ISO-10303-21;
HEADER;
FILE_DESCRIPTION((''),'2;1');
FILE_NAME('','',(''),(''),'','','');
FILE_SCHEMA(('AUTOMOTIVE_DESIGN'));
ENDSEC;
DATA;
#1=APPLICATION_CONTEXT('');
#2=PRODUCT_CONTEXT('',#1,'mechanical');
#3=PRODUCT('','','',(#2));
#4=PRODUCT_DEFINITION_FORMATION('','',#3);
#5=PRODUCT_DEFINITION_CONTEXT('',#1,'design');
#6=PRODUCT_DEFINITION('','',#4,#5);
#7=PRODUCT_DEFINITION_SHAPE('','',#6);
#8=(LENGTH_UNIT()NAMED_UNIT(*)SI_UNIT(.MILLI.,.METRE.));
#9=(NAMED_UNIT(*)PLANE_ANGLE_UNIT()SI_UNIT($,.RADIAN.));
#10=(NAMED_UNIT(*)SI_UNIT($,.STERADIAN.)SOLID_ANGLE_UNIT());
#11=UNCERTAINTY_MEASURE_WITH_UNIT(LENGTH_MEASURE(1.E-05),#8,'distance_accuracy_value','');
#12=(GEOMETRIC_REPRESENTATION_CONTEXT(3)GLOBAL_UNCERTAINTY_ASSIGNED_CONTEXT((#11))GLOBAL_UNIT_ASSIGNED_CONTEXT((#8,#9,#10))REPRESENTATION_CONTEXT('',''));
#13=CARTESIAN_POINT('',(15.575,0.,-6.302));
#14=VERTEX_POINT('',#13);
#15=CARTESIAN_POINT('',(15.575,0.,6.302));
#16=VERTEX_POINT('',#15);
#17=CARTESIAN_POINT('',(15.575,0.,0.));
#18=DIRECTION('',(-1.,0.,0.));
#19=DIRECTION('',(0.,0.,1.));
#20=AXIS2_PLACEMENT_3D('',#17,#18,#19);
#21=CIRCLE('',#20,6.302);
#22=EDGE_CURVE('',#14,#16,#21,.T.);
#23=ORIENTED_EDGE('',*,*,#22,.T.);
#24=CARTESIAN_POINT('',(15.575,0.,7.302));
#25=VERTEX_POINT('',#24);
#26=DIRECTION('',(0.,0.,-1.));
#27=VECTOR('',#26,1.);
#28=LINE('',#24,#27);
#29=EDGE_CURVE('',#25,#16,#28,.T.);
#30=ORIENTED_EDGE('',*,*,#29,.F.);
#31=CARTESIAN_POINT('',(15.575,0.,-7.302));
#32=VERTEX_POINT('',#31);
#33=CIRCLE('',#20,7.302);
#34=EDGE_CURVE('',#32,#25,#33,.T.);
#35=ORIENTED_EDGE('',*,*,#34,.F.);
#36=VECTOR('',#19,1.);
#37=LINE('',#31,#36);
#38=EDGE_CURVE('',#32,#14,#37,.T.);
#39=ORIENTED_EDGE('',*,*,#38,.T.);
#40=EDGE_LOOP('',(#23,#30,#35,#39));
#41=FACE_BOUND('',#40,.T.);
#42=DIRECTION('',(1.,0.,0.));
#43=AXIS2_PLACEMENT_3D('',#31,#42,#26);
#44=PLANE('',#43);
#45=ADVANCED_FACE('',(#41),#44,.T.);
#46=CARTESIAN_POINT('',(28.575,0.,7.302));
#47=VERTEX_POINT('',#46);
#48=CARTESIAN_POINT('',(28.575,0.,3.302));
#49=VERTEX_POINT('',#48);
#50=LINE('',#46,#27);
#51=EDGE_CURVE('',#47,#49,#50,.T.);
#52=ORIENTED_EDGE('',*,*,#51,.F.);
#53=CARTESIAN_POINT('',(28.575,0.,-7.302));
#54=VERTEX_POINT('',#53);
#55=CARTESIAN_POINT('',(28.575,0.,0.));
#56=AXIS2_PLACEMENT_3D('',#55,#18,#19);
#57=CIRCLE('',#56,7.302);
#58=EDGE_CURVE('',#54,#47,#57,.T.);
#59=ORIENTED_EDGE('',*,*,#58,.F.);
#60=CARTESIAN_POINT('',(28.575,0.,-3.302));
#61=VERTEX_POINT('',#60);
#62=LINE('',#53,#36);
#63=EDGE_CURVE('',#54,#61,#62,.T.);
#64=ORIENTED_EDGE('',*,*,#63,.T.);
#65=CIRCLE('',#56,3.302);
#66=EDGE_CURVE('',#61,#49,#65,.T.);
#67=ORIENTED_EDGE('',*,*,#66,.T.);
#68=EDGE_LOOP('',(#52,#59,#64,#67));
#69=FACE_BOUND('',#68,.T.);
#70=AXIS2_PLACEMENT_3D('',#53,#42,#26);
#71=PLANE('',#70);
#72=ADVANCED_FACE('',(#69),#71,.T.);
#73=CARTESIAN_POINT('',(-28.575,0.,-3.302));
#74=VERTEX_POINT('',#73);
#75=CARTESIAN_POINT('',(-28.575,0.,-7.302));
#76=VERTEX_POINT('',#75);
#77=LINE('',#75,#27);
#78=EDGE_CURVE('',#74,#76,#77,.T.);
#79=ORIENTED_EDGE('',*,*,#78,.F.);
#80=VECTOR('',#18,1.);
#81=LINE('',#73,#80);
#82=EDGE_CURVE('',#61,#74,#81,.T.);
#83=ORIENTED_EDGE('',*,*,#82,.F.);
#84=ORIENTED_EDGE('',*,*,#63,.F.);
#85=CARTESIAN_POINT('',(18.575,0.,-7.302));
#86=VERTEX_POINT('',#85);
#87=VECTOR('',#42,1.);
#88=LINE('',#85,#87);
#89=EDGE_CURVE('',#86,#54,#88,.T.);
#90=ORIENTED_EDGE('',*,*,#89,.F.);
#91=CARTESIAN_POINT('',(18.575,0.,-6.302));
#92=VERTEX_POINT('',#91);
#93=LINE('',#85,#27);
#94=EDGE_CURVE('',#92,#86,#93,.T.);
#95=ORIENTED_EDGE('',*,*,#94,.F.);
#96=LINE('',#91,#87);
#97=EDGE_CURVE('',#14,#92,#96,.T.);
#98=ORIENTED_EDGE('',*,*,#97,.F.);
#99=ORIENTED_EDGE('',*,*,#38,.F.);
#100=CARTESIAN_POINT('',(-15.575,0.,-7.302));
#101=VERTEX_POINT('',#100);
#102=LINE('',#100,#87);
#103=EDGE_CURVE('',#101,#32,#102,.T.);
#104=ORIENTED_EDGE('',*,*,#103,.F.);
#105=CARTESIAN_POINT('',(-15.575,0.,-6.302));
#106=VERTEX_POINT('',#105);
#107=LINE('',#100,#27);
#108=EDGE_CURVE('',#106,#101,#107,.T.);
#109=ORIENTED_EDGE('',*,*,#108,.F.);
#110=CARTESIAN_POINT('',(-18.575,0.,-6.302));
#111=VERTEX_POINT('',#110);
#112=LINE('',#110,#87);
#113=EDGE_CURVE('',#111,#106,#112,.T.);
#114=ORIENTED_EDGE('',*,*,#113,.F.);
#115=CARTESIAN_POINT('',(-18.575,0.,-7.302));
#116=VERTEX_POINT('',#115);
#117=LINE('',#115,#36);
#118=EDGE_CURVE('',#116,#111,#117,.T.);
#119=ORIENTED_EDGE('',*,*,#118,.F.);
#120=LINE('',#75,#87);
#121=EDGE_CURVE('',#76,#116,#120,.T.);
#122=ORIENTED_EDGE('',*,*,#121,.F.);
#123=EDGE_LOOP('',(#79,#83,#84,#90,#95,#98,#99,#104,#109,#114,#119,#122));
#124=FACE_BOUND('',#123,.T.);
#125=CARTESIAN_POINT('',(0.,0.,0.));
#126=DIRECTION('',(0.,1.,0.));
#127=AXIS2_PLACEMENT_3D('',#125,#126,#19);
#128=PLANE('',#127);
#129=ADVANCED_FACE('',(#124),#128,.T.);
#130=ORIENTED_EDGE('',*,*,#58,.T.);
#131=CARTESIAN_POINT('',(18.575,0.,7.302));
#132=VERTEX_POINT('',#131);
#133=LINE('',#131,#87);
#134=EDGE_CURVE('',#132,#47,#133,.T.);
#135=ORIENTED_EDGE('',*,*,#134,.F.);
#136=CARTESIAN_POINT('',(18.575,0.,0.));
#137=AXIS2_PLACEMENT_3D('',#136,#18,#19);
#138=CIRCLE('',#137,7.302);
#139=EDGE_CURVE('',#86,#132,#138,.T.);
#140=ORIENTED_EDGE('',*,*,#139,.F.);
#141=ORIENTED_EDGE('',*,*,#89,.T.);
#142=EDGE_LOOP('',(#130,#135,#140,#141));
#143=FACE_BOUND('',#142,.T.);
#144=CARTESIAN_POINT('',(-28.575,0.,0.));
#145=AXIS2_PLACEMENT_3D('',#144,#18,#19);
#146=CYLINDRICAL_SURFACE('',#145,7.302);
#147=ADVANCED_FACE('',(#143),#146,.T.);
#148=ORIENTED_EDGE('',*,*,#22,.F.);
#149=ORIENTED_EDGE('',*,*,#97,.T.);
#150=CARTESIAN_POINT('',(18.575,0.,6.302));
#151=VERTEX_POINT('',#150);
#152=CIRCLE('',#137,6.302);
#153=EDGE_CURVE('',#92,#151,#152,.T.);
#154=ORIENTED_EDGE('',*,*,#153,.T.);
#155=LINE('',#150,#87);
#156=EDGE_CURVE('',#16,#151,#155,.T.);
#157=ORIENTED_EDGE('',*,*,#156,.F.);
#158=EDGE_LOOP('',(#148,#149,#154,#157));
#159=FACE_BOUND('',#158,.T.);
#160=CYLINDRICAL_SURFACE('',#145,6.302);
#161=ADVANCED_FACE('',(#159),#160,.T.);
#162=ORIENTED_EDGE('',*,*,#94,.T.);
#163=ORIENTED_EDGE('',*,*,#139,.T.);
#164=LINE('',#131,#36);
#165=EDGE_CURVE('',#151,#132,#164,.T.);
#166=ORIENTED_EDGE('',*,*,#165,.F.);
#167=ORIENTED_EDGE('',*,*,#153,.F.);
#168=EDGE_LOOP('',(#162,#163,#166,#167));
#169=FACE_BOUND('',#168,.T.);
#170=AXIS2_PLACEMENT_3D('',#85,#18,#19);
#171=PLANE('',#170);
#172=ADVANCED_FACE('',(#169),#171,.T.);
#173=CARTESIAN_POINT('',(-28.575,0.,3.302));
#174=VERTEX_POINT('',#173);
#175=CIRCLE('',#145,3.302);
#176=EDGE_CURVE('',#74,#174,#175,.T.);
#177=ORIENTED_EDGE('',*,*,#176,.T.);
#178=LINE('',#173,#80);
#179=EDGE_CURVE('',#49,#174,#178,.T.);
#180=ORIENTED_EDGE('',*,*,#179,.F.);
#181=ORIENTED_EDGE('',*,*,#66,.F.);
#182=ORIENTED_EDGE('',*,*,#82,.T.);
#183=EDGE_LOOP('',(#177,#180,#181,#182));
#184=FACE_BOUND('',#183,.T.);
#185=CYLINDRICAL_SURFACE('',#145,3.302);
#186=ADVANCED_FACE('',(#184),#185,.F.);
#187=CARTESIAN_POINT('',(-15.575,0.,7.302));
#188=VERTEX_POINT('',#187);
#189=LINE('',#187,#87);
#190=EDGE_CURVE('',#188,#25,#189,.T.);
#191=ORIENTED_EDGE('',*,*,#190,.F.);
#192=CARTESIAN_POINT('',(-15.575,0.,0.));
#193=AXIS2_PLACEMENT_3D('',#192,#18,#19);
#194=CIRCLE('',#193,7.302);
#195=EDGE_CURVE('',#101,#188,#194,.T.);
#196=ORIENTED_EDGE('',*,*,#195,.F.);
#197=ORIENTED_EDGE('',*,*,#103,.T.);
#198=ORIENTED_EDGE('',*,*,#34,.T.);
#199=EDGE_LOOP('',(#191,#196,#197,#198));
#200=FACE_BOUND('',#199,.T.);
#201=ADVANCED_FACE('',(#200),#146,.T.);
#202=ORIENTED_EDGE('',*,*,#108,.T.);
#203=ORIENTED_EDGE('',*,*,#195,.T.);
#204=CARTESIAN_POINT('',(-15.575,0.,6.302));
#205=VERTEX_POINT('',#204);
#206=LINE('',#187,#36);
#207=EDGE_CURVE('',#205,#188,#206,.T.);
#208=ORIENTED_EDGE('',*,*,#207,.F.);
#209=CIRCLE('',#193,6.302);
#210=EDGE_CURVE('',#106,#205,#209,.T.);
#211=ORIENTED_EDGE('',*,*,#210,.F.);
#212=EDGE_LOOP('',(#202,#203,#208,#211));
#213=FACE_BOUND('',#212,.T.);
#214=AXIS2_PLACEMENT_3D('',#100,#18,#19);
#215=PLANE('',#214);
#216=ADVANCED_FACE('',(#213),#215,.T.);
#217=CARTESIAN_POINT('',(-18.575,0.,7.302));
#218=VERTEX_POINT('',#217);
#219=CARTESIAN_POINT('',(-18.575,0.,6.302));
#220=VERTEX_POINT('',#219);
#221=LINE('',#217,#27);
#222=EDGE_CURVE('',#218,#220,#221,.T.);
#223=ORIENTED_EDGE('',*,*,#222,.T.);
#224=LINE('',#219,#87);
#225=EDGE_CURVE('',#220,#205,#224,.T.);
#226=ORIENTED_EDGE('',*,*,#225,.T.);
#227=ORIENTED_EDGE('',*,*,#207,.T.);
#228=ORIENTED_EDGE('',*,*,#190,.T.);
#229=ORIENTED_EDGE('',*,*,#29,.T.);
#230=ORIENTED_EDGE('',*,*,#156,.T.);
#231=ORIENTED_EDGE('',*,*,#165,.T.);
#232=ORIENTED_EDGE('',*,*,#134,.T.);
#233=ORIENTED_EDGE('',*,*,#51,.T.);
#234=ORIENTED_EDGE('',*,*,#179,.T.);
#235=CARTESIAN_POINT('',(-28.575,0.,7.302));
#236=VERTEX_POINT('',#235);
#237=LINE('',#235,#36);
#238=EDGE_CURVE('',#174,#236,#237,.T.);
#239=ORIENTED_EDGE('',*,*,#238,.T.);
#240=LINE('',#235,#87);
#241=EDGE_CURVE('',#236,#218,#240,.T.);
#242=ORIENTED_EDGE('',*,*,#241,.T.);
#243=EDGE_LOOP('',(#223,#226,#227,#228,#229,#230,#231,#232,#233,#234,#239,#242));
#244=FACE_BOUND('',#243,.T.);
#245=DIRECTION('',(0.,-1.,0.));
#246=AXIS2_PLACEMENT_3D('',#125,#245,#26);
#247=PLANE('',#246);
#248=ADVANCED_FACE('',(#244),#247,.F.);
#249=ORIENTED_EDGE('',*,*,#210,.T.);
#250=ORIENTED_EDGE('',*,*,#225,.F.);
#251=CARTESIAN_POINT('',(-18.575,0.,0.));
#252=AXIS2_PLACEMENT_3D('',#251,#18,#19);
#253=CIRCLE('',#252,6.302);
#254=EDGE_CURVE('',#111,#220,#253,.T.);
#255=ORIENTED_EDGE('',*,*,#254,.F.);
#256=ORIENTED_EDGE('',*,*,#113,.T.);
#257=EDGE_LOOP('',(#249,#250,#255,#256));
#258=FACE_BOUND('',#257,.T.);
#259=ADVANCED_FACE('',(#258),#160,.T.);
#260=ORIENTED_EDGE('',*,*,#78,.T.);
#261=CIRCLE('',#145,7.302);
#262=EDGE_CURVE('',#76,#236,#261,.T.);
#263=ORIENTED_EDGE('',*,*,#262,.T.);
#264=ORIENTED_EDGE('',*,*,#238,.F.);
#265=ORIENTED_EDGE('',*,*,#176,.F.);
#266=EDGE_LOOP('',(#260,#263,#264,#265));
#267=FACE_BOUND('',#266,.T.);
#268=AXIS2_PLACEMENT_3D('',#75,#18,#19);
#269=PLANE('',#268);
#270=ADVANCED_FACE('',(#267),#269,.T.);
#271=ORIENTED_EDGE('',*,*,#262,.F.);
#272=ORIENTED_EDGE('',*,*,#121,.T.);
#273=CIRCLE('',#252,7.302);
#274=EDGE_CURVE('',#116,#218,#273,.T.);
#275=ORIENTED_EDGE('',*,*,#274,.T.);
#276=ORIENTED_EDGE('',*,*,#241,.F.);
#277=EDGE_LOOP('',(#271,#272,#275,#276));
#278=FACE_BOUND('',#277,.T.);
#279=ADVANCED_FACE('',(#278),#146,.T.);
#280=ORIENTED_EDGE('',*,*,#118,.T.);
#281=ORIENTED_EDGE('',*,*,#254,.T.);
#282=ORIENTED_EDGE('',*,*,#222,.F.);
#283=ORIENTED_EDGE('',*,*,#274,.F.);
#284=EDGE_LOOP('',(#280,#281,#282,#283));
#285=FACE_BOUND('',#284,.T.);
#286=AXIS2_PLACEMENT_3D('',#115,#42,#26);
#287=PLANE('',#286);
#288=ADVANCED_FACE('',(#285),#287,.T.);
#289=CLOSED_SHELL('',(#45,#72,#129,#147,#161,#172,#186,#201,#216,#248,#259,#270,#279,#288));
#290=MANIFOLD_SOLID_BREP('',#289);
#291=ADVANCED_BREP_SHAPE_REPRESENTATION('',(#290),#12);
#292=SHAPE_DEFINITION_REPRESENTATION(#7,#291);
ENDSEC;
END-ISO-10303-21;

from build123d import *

# Parameters (mm, degrees)
REVOLVE1_ANGLE = 180


with BuildPart() as part:
    # Sketch2 → Revolve1 (revolve)
    with BuildSketch(Plane(origin=(0, 0, 0), x_dir=(1, 0, 0), z_dir=(0, 1, 0))):
        Polygon((-28.575, -3.302), (28.575, -3.302), (28.575, -7.302), (18.575, -7.302), (18.575, -6.302), (15.575, -6.302), (15.575, -7.302), (-15.575, -7.302), (-15.575, -6.302), (-18.575, -6.302), (-18.575, -7.302), (-28.575, -7.302), align=None)
    revolve(axis=Axis((-28.575, 0, 0), (1, 0, 0)), revolution_arc=REVOLVE1_ANGLE)


solid = part.part
